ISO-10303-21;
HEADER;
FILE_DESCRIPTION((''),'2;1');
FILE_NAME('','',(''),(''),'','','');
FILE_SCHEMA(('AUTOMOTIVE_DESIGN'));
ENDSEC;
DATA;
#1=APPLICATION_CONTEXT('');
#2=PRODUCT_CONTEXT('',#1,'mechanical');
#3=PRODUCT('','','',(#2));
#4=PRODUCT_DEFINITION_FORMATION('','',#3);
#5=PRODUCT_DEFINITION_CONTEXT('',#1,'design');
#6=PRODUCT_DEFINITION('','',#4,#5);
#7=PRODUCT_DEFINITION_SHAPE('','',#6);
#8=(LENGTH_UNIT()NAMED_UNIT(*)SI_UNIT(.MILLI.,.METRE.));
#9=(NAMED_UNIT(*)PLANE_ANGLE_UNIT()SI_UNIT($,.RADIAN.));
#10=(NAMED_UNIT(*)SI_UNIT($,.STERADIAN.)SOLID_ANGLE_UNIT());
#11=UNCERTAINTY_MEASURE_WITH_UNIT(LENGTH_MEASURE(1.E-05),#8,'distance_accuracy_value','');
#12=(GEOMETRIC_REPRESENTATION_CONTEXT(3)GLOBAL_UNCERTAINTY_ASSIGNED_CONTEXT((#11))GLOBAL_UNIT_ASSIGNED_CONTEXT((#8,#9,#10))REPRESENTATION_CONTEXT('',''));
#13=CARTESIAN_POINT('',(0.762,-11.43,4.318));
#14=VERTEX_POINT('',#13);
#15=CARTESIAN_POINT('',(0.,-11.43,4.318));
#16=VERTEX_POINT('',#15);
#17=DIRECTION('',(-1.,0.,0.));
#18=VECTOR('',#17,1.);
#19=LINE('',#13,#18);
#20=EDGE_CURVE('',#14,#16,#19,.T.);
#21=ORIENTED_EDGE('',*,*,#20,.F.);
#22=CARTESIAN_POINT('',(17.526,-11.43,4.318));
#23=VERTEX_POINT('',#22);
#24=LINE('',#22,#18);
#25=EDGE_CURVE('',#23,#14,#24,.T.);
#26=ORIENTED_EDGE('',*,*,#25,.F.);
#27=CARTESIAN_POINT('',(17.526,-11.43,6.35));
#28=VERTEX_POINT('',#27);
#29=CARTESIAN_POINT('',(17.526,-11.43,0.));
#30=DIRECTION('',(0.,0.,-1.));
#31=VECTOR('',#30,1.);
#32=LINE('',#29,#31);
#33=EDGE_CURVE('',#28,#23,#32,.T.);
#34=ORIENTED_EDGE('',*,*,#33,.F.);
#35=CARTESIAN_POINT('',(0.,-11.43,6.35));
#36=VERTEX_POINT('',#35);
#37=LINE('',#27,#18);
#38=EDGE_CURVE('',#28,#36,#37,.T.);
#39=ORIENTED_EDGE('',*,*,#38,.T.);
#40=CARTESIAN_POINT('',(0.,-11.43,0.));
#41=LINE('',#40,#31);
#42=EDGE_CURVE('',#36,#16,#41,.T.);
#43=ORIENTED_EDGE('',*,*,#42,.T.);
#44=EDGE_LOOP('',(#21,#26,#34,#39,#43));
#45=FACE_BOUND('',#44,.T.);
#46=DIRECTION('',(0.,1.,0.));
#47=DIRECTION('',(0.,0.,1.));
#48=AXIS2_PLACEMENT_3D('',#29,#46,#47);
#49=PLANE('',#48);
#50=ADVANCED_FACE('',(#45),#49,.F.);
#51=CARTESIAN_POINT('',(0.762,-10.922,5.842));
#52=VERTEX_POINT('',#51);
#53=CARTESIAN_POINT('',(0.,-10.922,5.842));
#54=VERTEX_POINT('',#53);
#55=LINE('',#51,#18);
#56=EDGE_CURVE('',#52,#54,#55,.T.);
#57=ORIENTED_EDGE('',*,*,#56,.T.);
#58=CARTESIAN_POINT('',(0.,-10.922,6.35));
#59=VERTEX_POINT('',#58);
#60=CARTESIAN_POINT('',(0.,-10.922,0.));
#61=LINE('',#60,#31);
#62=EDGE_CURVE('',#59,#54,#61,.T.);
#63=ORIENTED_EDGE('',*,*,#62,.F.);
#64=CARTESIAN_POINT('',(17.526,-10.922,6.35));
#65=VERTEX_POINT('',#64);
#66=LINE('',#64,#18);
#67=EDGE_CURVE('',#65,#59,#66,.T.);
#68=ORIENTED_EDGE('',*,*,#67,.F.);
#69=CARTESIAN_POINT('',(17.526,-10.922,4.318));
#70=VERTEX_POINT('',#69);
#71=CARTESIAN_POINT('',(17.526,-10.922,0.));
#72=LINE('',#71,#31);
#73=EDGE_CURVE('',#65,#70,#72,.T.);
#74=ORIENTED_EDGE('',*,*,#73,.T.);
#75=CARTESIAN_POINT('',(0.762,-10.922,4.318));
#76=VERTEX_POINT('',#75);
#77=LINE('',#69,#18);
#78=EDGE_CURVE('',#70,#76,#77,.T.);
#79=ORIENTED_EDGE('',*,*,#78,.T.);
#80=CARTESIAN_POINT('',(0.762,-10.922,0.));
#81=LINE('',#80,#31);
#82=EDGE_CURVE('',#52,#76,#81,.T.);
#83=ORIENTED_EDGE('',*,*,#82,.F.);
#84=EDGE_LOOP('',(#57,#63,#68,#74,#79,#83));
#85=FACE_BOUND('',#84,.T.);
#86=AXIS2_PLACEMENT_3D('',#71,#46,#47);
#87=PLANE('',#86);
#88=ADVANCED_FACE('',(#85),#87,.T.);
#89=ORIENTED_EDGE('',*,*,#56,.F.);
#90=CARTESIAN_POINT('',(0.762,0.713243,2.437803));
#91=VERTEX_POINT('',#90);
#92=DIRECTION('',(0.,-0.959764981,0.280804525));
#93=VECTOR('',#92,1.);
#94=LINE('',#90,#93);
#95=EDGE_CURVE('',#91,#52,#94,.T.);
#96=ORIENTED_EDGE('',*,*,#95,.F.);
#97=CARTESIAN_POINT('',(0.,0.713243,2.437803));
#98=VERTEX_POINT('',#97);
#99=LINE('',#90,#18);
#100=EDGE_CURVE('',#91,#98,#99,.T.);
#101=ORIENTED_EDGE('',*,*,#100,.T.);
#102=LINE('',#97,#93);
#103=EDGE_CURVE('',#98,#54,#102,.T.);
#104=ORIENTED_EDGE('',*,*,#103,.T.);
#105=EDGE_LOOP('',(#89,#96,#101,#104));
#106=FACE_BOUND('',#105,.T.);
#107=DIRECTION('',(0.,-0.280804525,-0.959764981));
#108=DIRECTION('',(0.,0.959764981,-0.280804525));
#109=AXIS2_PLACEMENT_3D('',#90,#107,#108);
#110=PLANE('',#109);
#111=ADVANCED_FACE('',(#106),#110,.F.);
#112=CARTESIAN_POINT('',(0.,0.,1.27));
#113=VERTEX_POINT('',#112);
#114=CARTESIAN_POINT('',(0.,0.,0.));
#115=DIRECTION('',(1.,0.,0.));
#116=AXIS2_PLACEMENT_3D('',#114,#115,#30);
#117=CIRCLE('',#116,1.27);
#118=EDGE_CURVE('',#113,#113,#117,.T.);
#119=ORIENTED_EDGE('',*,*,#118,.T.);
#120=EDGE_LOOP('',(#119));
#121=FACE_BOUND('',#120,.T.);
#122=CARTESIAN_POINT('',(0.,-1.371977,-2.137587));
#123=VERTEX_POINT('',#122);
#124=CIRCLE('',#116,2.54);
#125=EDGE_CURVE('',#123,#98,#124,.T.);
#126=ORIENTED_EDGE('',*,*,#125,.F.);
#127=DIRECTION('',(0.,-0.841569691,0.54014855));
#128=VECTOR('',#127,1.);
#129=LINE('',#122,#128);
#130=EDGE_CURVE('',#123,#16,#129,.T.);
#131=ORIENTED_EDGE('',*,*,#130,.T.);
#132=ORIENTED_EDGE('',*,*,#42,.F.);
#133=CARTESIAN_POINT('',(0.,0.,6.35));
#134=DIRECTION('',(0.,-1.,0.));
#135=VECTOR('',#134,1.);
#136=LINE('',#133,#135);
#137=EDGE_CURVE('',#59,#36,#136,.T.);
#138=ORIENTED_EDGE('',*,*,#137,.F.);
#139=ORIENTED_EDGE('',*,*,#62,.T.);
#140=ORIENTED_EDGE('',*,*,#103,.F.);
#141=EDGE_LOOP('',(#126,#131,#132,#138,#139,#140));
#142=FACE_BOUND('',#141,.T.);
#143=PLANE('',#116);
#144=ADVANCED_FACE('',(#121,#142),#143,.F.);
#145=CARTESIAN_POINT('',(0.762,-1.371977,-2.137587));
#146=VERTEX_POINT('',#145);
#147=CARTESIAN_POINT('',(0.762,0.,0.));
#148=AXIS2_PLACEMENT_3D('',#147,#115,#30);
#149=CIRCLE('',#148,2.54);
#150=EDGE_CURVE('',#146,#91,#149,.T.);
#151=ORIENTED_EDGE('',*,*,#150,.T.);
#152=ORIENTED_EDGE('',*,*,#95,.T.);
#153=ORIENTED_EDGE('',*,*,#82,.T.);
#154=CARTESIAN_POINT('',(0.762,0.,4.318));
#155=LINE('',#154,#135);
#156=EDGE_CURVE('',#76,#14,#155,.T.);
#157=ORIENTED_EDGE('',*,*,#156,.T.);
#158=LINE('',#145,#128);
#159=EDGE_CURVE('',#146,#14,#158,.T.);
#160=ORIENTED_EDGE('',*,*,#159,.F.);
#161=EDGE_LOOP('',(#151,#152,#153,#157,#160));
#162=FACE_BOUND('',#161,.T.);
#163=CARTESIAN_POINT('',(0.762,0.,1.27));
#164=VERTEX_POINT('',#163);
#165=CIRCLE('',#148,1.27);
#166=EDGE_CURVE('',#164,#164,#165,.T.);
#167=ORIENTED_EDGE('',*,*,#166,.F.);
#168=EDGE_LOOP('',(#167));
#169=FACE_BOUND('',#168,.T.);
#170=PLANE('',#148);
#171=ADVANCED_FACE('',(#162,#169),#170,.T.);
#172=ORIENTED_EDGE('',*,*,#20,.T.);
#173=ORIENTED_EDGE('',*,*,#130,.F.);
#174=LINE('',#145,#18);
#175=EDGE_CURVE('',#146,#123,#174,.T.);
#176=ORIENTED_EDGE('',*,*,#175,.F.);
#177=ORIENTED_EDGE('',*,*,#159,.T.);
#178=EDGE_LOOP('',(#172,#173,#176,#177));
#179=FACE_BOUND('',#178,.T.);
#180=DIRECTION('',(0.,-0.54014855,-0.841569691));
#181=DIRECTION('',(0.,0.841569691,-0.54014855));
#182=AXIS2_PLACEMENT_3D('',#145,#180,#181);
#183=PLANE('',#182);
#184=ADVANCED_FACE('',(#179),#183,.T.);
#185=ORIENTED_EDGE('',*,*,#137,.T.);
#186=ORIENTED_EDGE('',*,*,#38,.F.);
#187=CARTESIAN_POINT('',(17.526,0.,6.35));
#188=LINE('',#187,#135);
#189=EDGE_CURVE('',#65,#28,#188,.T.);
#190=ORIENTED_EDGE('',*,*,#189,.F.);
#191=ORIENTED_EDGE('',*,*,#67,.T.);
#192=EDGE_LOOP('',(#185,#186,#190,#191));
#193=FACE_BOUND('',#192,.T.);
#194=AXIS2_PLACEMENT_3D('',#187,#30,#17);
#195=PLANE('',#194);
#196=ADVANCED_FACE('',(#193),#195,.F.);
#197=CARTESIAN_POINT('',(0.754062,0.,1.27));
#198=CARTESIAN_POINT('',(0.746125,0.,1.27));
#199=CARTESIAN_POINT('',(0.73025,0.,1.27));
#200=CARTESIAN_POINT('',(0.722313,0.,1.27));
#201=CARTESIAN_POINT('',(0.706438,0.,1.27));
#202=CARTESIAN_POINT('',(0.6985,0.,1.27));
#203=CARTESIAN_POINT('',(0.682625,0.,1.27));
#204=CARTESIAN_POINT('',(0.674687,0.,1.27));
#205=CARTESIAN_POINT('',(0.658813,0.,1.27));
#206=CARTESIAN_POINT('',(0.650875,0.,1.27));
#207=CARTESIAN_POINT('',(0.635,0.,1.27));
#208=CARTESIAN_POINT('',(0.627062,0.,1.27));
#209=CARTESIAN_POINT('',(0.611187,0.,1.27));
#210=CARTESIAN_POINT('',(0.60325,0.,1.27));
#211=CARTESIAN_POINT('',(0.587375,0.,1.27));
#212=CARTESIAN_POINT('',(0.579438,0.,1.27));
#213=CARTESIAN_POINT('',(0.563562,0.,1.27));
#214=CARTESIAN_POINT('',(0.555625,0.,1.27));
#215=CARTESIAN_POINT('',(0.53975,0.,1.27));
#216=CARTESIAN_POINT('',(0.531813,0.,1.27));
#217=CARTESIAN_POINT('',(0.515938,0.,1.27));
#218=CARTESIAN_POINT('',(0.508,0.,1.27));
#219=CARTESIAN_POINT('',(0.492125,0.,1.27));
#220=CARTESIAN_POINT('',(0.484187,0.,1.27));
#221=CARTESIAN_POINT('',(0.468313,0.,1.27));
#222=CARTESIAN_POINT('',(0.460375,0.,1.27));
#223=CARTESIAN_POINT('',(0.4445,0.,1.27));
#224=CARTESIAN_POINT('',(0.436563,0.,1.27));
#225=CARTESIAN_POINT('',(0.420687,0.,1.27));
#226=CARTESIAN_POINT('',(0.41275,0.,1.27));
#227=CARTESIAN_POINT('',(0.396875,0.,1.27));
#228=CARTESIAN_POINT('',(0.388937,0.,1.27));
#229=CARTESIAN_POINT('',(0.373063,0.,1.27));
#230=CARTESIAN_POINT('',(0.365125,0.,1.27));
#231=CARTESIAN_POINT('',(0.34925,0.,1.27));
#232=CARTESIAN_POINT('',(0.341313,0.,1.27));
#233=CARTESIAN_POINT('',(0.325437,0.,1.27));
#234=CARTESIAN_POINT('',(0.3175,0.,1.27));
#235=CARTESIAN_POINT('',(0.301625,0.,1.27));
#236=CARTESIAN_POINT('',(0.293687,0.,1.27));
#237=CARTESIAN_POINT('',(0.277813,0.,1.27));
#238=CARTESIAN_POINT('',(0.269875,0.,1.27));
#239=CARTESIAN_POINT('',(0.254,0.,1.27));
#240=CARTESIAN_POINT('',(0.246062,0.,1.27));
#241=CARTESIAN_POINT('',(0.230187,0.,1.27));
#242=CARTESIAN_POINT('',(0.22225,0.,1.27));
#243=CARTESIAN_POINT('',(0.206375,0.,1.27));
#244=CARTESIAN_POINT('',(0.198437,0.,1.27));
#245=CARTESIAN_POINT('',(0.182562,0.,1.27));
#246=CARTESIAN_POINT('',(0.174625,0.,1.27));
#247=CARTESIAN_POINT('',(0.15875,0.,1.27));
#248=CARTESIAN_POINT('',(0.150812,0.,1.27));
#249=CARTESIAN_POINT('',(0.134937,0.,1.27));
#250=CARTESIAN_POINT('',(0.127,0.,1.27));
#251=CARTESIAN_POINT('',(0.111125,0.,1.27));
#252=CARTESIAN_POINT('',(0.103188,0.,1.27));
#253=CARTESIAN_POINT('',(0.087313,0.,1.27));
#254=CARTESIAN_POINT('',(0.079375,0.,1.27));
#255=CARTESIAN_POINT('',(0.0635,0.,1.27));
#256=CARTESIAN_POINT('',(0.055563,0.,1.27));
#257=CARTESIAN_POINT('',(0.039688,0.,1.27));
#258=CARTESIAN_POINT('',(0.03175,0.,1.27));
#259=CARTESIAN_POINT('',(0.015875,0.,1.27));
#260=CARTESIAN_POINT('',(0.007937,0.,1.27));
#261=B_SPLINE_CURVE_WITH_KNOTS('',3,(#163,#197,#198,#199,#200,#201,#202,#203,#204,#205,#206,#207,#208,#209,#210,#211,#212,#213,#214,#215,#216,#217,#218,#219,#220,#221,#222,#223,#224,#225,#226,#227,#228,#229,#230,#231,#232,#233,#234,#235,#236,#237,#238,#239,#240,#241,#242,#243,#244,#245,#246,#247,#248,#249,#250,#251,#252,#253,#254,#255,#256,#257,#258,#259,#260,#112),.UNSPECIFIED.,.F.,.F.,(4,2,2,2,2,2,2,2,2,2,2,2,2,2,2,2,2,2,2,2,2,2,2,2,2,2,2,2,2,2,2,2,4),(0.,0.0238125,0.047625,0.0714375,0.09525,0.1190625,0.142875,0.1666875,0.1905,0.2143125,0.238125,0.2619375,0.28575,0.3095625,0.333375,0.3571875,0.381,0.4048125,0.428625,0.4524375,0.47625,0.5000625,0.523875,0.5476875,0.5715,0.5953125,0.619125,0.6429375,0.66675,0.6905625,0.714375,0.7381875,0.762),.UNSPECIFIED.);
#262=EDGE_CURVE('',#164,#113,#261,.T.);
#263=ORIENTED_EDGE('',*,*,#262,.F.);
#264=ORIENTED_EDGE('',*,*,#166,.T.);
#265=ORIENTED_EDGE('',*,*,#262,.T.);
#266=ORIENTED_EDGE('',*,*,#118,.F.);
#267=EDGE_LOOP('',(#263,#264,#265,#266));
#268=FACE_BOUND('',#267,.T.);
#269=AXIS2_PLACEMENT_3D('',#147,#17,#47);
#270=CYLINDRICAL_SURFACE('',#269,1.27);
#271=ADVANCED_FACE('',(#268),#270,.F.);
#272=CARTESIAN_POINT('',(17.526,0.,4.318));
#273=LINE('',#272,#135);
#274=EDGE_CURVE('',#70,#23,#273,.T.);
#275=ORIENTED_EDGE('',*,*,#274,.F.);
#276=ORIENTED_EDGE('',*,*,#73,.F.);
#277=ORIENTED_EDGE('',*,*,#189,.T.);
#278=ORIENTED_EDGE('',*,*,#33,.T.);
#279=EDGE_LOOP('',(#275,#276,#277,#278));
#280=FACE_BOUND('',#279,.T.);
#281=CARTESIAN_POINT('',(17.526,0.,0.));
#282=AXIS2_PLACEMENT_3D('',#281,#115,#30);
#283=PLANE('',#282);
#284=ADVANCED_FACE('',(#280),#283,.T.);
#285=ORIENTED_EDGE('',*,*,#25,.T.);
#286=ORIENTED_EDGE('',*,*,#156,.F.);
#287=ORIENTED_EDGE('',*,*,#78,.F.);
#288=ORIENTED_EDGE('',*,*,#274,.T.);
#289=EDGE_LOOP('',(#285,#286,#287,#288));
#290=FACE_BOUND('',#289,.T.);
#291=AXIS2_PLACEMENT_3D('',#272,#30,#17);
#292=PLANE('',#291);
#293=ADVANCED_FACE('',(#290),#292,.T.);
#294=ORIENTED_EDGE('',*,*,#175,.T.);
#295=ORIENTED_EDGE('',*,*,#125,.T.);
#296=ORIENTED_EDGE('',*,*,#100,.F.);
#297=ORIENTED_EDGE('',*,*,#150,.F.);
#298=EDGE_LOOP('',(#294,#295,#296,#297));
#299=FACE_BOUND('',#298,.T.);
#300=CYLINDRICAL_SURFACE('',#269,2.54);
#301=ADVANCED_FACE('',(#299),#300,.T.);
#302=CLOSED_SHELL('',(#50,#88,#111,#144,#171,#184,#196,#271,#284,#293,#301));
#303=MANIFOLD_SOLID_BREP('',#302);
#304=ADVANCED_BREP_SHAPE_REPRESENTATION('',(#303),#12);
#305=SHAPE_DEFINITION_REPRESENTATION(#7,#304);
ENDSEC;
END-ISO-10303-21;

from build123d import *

# Parameters (mm, degrees)
BOSS_EXTRUDE1_DEPTH = 17.526
SKETCH1_3_R         = 1.27
BOSS_EXTRUDE2_DEPTH = 0.762


with BuildPart() as part:
    # Sketch1 → Boss-Extrude1 (new body)
    with BuildSketch(Plane(origin=(0, 0, 0), x_dir=(0, 0, -1), z_dir=(1, 0, 0))):
        Polygon((-6.35, -11.43), (-4.318, -11.43), (-4.318, -10.922), (-5.842, -10.922), (-6.35, -10.922), align=None)
    extrude(amount=BOSS_EXTRUDE1_DEPTH)

    # Sketch1<3> → Boss-Extrude2 (add)
    with BuildSketch(Plane(origin=(0, 0, 0), x_dir=(0, 0, -1), z_dir=(1, 0, 0))):
        with BuildLine():
            Line((-4.318, -11.43), (2.137587014, -1.371977316))
            ThreePointArc((2.137587014, -1.371977316), (1.053360752, 2.311283437), (-2.437803052, 0.713243493))
            Line((-2.437803052, 0.713243493), (-5.842, -10.922))
            Line((-5.842, -10.922), (-4.318, -10.922))
            Line((-4.318, -10.922), (-4.318, -11.43))
        make_face()
        Circle(SKETCH1_3_R, mode=Mode.SUBTRACT)
    extrude(amount=BOSS_EXTRUDE2_DEPTH)


solid = part.part
